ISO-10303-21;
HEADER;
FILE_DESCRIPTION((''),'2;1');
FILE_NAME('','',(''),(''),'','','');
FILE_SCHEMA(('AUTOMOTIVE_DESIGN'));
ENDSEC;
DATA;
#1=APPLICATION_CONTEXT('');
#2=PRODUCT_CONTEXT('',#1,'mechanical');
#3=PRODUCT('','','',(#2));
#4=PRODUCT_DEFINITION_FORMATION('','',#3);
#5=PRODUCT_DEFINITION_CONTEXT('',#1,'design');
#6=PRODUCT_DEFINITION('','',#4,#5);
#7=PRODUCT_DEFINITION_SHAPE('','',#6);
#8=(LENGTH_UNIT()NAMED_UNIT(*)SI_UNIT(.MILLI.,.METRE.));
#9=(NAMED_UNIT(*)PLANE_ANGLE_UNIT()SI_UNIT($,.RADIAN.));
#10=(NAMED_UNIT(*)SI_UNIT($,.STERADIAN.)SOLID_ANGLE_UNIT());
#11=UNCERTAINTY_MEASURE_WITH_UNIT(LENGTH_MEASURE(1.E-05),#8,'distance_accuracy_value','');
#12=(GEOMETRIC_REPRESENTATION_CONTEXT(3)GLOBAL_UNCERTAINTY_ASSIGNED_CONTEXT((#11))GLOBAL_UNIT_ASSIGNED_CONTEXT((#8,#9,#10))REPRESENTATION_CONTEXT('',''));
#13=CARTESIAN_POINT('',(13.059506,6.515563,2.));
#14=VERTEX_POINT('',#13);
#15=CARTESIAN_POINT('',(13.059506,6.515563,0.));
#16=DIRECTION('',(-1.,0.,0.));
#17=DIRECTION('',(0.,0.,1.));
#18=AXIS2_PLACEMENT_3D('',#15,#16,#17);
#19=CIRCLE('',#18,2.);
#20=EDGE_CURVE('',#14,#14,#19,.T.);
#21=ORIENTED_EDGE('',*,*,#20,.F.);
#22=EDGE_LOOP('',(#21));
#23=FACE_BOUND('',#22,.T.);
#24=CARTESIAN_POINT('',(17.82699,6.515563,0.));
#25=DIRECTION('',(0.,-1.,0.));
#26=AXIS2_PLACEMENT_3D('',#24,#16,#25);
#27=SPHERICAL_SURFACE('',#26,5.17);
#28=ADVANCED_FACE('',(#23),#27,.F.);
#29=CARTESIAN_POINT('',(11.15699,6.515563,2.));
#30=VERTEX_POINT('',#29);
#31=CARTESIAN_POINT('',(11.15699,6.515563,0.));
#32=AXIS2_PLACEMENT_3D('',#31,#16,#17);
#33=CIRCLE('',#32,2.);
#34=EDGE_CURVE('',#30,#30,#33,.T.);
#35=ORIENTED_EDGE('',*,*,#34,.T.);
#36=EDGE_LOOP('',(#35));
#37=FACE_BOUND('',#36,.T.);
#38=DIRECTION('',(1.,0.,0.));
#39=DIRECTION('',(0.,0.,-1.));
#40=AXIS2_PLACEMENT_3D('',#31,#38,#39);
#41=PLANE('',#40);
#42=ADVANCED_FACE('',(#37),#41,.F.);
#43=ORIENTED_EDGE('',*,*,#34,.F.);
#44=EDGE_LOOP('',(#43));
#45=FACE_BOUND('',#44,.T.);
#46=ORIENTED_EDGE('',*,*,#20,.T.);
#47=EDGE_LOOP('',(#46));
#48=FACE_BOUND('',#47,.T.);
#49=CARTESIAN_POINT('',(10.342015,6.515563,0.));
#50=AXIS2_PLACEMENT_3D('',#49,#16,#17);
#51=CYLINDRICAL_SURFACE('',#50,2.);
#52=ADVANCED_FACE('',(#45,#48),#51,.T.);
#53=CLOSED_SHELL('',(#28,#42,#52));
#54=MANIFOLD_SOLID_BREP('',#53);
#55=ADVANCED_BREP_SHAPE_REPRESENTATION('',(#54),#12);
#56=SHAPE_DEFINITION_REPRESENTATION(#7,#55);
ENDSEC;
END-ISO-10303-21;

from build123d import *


with BuildPart() as part:
    # 草图1 → 旋转1 (revolve)
    with BuildSketch(Plane.XY, mode=Mode.PRIVATE) as revolve_1_sk:
        with BuildLine():
            Line((11.156989876, 6.515563046), (11.156989876, 8.515563046))
            Line((11.156989876, 8.515563046), (13.059506263, 8.515563046))
            ThreePointArc((13.059506263, 8.515563046), (12.758617836, 7.535614447), (12.656989876, 6.515563046))
            Line((12.656989876, 6.515563046), (11.156989876, 6.515563046))
        make_face()
    revolve(revolve_1_sk.sketch.rotate(Axis((10.342015318, 6.515563046, 0), (1, 0, 0)), 180), axis=Axis((10.342015318, 6.515563046, 0), (1, 0, 0)))  # turned: the seam where the file's is


solid = part.part
